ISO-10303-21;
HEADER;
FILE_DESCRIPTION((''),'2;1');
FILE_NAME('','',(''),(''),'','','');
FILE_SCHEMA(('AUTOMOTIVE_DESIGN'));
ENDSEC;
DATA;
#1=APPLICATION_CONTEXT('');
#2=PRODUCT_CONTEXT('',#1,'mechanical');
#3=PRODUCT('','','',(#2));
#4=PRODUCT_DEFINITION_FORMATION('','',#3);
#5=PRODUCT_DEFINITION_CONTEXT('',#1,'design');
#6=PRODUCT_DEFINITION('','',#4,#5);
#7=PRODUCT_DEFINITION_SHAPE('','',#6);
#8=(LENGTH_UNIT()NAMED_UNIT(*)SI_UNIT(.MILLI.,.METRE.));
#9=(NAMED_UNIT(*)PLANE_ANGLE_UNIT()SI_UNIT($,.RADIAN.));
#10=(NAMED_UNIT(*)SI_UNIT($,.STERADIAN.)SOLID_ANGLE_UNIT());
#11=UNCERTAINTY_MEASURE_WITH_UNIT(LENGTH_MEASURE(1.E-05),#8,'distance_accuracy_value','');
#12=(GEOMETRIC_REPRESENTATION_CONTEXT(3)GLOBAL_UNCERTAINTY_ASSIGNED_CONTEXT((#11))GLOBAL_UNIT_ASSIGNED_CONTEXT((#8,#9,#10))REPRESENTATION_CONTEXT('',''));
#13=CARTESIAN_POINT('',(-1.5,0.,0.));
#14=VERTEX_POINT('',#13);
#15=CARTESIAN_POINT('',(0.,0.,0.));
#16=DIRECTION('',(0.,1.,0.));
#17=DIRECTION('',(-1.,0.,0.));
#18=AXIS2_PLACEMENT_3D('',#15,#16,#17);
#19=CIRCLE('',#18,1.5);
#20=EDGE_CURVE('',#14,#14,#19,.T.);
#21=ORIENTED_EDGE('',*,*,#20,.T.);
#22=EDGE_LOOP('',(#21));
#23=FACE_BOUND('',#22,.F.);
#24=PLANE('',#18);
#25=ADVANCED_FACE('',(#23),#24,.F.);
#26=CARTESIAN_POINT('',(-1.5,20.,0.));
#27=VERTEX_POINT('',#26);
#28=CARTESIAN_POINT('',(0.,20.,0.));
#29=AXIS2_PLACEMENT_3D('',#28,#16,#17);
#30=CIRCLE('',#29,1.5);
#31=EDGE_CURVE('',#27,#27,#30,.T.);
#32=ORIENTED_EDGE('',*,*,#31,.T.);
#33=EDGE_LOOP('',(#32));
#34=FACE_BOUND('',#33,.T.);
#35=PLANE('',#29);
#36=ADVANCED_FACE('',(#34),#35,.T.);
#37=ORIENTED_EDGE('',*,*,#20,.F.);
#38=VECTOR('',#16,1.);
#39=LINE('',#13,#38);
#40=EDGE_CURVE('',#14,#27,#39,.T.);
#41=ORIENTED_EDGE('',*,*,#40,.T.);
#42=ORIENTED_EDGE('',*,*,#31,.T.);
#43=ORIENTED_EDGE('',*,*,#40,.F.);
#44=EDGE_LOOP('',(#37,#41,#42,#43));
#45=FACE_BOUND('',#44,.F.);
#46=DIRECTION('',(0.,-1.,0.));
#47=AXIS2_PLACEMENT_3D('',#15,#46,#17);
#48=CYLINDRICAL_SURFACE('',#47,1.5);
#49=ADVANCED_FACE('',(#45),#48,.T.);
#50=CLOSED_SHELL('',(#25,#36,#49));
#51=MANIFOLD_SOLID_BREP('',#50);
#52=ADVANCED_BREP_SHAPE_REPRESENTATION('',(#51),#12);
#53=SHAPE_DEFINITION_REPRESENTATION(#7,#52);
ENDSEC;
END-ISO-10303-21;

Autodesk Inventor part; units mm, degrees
ref_plane "YZ Plane" through (0, 0, 0) normal (1, 0, 0) x (0, 1, 0)
ref_plane "XZ Plane" through (0, 0, 0) normal (0, 1, 0) x (-1, 0, 0)
ref_plane "XY Plane" through (0, 0, 0) normal (0, 0, 1) x (1, 0, 0)
sketch "スケッチ1" plane through (0, 0, 0) normal (0, 1, 0) x (-1, 0, 0)
  circle A0 centre (0, 0) radius 1.5
  dimension "d0" = 3
extrude "押し出し1" add sketch "スケッチ1" along normal blind 20
properties part number "shaft_Φ3_60"
